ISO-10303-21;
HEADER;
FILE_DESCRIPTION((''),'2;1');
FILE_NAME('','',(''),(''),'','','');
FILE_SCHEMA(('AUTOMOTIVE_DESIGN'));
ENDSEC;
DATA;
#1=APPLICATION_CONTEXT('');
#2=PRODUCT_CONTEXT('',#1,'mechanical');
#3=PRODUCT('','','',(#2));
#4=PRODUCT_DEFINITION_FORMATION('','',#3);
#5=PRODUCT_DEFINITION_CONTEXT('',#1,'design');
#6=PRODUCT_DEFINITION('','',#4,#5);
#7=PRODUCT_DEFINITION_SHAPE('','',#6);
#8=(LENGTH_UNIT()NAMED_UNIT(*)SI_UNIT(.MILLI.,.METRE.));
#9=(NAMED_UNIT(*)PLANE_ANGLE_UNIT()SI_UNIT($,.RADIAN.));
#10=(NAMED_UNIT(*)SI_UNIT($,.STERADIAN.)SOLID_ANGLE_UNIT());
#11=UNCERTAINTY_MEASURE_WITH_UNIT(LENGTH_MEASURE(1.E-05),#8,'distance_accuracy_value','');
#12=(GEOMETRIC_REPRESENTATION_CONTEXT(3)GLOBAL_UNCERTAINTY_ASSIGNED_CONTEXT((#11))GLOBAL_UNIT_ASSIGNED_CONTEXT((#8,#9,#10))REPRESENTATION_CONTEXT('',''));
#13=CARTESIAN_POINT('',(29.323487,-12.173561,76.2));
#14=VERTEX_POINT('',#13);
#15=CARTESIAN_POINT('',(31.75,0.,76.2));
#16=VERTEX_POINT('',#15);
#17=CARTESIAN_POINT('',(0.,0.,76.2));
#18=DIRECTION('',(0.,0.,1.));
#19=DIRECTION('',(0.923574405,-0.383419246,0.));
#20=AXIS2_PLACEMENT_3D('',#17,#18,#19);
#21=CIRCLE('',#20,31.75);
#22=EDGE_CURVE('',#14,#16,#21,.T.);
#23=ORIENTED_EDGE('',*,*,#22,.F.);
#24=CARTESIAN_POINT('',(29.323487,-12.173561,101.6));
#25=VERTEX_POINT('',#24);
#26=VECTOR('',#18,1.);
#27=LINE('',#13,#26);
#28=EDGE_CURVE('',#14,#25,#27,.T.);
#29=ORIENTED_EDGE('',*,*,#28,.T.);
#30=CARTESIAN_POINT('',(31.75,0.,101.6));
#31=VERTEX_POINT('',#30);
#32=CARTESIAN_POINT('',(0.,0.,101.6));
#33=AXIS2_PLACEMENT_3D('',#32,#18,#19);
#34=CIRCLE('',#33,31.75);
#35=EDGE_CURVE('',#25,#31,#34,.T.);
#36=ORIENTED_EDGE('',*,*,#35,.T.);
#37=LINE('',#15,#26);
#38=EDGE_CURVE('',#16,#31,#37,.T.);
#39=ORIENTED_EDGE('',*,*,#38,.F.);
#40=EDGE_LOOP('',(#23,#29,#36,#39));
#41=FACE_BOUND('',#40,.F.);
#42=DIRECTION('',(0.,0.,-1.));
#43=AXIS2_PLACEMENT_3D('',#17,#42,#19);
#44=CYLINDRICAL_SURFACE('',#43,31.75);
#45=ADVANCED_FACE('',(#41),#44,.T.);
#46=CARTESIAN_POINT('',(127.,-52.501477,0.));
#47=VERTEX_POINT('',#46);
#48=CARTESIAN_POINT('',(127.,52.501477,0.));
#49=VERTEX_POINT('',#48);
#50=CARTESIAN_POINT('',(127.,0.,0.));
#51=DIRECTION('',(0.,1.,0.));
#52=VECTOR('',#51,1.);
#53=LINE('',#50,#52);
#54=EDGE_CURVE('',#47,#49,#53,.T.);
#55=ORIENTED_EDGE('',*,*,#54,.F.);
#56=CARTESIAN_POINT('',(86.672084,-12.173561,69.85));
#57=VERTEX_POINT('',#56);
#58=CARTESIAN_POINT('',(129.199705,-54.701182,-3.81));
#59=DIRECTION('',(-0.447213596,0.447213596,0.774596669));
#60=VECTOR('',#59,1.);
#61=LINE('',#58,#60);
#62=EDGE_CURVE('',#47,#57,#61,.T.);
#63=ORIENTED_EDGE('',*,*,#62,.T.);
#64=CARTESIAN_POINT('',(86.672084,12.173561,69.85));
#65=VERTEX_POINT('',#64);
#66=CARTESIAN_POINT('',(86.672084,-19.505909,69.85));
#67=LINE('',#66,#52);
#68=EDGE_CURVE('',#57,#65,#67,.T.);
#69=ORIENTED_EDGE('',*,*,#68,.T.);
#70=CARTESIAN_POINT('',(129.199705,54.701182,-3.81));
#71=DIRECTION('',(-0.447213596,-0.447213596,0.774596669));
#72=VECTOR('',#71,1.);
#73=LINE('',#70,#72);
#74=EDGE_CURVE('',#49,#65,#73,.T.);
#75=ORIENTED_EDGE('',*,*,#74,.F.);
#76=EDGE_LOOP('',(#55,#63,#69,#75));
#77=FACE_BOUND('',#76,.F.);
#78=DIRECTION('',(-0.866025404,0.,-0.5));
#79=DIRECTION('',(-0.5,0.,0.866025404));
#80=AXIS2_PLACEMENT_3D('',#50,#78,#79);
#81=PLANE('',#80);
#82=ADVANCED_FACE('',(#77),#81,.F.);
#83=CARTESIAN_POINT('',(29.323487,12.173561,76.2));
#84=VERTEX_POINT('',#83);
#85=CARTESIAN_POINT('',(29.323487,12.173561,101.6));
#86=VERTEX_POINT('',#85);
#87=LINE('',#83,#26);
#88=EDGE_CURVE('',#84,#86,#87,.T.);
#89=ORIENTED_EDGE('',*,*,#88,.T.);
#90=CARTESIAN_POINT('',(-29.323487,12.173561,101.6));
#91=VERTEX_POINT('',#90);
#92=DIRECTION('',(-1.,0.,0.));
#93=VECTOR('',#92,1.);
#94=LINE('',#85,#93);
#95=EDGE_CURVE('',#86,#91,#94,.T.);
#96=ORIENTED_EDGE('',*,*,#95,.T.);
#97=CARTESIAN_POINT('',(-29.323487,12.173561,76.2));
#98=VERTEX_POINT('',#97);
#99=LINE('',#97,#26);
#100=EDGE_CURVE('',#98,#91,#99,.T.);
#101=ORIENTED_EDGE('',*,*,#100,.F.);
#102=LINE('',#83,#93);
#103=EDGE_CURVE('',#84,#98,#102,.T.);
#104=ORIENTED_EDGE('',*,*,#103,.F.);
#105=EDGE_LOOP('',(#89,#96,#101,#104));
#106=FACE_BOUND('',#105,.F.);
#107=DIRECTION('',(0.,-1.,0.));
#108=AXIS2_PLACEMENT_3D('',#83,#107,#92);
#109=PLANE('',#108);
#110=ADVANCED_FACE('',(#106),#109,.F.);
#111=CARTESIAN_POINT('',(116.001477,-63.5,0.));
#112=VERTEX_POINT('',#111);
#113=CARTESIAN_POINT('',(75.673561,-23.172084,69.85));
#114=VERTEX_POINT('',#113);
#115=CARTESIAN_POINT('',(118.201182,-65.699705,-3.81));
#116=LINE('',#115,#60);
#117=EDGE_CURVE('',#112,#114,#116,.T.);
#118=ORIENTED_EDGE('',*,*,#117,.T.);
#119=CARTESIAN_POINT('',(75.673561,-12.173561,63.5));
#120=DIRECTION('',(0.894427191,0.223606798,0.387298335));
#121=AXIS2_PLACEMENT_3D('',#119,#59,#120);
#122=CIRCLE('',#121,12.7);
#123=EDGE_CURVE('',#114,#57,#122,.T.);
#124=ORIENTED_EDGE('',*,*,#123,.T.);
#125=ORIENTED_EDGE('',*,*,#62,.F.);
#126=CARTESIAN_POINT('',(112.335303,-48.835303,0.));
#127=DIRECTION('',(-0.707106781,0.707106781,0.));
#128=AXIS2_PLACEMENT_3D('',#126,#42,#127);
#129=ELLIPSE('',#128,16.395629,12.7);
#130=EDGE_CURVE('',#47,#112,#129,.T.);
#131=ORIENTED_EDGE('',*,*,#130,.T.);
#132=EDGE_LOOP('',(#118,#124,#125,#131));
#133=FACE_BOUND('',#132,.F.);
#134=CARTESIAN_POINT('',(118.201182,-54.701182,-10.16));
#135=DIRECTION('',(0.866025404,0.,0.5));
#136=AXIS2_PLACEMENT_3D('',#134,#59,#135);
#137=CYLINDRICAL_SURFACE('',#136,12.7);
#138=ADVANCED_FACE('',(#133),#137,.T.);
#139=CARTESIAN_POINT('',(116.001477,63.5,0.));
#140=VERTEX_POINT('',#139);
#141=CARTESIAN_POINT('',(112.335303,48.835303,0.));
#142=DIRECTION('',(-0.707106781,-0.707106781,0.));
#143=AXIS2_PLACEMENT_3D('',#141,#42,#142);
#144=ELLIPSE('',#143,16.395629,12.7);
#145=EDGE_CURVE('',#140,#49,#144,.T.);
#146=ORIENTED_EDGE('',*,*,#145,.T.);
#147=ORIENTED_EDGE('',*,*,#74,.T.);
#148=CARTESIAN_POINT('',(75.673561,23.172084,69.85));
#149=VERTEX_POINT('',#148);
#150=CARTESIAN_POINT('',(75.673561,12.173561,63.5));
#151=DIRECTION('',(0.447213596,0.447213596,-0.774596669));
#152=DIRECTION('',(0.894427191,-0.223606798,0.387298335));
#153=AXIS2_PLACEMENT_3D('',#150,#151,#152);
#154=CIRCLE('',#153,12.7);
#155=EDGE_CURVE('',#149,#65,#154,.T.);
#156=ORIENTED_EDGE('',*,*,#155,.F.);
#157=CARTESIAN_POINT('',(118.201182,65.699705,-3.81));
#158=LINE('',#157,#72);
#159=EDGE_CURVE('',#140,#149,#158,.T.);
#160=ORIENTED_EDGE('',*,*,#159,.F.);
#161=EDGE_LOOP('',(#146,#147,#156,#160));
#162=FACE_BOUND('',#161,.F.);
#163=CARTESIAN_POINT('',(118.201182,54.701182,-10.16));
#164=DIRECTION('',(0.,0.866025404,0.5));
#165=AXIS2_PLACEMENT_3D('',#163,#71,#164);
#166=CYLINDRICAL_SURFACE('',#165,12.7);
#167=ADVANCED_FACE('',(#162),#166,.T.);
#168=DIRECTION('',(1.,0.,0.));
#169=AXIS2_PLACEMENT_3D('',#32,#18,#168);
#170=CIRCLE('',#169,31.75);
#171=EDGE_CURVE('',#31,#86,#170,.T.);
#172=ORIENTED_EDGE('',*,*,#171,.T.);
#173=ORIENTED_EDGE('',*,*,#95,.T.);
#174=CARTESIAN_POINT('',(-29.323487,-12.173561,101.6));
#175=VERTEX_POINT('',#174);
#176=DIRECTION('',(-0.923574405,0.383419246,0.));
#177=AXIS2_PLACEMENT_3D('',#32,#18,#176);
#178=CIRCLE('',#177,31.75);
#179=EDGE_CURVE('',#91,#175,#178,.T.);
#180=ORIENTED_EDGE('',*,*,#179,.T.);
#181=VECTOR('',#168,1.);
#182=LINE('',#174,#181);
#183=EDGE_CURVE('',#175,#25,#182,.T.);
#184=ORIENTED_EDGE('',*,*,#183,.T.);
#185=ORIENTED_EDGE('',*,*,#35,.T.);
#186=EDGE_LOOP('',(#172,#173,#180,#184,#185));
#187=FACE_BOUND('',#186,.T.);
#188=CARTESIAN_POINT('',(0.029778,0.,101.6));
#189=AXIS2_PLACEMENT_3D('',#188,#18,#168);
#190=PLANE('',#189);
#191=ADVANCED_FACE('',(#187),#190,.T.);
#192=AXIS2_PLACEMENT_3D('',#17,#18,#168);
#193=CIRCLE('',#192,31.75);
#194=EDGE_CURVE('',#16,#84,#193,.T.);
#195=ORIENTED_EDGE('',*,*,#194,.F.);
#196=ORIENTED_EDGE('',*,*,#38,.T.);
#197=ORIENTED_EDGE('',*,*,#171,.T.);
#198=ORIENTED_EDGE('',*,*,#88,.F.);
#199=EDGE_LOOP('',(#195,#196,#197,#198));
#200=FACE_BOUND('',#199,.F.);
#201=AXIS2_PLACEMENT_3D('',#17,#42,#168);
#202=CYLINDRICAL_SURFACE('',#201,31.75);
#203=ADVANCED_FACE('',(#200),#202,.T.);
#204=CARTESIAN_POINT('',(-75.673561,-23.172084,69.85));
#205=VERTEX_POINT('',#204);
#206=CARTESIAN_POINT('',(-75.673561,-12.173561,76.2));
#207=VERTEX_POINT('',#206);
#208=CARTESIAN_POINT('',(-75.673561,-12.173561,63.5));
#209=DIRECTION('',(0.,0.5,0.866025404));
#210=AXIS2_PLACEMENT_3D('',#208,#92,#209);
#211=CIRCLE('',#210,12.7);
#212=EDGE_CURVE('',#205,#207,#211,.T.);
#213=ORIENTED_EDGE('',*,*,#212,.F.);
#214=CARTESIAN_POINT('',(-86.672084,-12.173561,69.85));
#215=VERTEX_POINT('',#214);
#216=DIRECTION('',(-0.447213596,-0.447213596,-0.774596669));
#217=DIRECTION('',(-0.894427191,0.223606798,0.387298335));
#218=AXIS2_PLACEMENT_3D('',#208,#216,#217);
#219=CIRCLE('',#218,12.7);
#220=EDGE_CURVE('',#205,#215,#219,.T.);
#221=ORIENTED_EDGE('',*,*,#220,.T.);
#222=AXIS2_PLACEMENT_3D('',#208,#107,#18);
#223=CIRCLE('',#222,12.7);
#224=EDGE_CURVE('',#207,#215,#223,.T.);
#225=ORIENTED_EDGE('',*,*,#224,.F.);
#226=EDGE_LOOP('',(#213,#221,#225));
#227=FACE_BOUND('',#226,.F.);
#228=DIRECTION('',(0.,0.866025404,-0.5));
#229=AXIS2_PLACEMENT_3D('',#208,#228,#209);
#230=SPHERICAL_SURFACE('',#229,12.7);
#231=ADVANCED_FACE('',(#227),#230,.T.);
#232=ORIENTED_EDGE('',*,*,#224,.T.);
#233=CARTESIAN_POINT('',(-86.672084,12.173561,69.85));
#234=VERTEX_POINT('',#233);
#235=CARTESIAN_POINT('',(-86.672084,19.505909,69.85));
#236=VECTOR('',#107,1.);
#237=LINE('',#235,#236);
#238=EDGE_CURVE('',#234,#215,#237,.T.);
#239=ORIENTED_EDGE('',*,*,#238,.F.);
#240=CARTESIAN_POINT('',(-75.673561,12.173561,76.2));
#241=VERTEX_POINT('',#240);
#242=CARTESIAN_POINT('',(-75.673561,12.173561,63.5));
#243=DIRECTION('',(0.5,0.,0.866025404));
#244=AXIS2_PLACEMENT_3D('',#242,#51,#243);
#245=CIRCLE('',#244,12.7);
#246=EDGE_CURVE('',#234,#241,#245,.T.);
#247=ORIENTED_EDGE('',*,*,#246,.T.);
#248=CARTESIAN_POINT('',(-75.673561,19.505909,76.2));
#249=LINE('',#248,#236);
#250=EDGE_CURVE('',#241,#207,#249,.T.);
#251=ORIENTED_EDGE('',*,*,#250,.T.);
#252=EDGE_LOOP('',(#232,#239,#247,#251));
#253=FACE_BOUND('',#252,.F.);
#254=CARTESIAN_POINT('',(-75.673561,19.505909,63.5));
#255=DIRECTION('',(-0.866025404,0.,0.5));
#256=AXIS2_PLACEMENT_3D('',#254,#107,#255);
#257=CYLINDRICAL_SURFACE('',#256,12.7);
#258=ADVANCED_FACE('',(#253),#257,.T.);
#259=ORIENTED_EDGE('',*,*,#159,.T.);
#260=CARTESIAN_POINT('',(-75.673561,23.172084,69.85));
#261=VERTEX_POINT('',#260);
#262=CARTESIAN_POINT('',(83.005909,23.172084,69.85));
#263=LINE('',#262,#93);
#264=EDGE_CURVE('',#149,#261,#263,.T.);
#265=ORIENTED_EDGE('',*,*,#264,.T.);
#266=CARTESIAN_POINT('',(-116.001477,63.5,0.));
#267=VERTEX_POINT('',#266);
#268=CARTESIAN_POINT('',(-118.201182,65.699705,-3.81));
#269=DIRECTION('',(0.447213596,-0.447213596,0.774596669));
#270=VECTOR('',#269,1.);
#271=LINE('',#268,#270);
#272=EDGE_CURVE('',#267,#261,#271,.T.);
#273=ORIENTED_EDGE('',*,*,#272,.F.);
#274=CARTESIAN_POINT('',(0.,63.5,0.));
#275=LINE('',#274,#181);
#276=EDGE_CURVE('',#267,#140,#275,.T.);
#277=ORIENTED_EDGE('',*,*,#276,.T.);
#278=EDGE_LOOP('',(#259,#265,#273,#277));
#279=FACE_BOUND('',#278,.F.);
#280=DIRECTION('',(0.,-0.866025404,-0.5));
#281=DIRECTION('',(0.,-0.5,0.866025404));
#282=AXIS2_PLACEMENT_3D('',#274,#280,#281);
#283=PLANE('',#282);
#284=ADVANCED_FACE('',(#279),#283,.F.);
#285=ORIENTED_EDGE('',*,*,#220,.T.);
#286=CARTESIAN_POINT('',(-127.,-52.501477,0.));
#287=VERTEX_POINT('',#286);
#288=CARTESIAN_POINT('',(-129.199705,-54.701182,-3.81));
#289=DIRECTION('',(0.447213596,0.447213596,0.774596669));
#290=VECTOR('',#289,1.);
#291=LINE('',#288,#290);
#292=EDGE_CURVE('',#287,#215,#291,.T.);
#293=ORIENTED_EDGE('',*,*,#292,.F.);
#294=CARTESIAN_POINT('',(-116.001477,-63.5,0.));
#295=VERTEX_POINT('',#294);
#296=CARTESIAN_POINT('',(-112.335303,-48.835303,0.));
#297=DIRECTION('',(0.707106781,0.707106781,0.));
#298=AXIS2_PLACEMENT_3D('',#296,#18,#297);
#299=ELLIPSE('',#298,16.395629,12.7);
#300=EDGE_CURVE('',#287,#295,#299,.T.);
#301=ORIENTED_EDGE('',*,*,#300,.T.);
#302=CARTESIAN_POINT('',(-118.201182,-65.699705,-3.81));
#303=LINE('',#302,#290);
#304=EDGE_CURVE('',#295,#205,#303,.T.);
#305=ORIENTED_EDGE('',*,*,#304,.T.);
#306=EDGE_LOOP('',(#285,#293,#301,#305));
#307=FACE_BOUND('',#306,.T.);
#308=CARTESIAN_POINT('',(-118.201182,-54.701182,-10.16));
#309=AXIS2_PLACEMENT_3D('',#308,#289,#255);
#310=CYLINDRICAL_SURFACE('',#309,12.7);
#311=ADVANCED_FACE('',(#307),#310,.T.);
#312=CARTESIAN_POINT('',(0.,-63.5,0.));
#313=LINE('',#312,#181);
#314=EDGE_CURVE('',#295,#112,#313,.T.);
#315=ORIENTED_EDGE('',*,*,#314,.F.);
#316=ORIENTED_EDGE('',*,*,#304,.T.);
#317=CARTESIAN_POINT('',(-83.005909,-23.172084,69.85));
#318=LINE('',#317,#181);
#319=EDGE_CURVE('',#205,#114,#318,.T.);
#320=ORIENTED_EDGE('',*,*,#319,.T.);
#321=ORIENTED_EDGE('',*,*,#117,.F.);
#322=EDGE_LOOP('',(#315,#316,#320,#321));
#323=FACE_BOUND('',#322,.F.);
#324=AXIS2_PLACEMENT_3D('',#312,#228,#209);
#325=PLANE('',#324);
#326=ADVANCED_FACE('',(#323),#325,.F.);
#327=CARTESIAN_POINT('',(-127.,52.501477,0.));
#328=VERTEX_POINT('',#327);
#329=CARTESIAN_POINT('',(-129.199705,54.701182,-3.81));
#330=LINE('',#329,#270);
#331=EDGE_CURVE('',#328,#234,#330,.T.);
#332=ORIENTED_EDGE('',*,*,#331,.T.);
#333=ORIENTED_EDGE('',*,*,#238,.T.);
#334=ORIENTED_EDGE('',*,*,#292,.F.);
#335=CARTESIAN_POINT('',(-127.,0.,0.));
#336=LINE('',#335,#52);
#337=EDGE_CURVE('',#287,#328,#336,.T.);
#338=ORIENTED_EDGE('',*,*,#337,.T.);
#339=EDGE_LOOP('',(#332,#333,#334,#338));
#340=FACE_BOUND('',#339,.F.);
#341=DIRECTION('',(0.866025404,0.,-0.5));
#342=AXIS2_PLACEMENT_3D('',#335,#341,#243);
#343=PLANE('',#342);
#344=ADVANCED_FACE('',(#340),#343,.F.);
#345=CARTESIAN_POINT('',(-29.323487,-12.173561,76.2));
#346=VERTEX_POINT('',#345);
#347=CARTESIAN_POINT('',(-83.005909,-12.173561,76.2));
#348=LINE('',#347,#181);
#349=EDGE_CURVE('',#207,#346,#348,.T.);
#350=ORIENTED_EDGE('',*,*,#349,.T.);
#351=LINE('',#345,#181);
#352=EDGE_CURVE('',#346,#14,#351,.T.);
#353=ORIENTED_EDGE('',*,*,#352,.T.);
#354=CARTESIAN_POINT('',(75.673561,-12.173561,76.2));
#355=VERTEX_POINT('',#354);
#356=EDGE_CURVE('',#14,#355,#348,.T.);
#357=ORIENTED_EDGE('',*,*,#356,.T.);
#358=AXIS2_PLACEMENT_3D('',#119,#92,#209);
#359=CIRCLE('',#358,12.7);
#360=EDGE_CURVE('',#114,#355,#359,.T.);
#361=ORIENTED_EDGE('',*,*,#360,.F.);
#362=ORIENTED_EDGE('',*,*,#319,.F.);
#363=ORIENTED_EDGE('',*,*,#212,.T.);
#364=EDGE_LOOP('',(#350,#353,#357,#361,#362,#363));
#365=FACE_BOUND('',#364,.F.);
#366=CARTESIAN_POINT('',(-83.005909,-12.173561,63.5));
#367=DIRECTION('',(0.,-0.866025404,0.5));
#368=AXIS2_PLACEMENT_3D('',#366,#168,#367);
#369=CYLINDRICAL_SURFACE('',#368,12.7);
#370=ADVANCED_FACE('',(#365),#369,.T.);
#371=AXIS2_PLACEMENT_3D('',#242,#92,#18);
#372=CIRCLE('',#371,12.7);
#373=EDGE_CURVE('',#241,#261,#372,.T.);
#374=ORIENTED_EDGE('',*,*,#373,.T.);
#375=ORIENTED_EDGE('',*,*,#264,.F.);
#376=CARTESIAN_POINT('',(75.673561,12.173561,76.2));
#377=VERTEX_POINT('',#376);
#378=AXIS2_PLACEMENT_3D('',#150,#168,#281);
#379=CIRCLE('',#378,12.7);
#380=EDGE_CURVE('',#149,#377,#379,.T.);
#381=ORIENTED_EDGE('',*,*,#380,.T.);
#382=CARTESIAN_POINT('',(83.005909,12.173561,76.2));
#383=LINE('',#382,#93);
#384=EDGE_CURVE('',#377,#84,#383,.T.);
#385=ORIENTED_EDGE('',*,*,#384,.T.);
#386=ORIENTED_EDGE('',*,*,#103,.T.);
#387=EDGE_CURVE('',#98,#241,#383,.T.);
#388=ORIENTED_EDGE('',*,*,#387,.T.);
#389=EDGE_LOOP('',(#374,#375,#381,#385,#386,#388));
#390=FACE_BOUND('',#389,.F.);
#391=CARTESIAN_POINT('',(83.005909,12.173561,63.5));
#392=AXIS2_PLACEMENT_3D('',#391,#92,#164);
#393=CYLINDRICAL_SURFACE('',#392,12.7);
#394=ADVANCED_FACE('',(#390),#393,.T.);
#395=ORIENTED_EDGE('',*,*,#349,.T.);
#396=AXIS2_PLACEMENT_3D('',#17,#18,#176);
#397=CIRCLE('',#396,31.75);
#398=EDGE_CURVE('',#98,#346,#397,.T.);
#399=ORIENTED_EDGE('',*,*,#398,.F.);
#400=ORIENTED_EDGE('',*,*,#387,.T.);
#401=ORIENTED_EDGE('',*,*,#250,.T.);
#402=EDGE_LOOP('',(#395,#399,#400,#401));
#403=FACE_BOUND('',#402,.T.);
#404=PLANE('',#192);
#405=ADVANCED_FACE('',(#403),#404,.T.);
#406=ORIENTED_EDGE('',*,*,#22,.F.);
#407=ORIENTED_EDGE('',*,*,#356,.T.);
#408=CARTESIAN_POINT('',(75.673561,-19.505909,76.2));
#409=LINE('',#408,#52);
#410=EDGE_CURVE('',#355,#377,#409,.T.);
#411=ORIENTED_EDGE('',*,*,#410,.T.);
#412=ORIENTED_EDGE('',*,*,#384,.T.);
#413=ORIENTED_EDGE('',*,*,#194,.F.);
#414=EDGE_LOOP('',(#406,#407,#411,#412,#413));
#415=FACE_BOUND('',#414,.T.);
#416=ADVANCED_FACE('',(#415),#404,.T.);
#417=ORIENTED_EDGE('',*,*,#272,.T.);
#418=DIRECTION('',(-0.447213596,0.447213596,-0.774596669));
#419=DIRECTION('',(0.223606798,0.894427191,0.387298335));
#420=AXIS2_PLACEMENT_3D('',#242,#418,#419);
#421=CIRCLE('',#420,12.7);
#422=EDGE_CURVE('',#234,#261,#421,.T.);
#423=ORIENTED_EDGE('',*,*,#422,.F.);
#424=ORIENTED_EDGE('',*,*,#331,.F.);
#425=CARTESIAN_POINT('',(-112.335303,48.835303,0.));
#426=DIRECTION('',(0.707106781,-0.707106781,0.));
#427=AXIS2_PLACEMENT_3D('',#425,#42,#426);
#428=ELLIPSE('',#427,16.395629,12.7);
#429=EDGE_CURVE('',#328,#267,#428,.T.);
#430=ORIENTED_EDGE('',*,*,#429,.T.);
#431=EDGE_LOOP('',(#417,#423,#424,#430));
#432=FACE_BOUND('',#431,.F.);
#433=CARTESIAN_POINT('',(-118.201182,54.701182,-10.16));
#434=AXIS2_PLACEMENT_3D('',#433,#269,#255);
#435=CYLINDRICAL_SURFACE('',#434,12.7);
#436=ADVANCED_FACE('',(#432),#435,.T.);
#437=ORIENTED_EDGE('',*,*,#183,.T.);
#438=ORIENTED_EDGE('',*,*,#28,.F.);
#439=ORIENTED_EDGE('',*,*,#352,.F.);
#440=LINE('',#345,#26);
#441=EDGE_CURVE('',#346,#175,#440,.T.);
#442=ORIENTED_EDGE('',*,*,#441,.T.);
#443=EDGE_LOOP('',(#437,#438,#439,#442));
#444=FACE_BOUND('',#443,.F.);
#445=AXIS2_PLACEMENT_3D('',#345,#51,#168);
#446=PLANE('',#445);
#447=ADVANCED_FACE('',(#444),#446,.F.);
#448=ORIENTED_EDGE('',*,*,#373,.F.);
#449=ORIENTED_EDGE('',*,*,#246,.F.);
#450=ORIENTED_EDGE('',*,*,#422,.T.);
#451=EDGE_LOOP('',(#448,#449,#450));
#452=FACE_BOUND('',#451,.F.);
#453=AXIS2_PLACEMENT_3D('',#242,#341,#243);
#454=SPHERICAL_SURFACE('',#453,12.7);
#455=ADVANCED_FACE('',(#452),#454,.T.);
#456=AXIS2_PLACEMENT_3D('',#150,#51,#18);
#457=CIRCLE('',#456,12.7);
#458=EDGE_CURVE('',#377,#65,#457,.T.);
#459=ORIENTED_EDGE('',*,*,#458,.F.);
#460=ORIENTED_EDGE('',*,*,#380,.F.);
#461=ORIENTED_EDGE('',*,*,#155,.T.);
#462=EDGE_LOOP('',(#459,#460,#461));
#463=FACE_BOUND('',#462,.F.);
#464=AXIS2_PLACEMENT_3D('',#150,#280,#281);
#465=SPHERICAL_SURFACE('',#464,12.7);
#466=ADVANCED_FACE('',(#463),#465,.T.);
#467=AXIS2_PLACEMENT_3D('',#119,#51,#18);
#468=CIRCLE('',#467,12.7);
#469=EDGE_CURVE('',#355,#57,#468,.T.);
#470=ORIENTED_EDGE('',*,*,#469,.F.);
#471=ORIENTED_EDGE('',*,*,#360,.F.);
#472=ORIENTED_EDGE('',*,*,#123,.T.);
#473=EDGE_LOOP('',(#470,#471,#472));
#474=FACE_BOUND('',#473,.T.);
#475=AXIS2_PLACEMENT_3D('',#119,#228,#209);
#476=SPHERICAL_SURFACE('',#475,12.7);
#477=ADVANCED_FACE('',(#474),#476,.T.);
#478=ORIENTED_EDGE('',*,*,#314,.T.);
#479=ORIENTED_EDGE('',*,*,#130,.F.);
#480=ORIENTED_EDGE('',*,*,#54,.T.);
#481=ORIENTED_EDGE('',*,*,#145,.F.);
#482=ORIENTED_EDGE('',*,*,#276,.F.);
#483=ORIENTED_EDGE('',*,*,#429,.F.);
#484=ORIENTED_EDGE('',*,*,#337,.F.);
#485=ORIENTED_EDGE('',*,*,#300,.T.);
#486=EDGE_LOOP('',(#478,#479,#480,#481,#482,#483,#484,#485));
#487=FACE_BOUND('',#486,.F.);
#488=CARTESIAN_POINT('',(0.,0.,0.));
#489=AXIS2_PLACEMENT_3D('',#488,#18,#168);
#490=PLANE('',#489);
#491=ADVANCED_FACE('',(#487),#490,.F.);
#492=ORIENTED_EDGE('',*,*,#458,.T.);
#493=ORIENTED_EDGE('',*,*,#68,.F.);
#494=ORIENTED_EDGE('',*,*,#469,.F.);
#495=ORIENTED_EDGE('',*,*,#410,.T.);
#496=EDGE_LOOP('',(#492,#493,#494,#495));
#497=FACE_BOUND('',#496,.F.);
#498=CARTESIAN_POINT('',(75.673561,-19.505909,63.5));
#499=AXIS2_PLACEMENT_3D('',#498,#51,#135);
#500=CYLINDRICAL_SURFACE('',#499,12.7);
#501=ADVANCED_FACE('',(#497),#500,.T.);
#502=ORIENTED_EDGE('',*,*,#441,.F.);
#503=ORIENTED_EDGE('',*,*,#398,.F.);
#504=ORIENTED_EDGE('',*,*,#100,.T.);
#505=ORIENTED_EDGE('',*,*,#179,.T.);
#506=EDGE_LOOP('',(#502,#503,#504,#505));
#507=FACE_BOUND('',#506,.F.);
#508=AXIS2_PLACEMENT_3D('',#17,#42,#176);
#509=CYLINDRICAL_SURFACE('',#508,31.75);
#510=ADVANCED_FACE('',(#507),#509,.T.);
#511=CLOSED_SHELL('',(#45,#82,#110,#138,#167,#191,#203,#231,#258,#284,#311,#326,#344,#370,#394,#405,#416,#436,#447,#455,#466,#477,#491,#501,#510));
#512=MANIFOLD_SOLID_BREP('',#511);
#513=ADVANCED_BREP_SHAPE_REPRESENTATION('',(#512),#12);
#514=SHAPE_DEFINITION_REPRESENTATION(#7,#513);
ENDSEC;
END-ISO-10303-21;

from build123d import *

# Parameters (mm, degrees)
F0_W     = 254
F0_H     = 127
F1_DEPTH = 76.2
F1_TAPER = 30
F2_R     = 12.7
F4_DEPTH = 25.4


with BuildPart() as f1:
    # F0 (on Top) → F1 (new body)
    with BuildSketch(Plane.XY):
        Rectangle(F0_W, F0_H)
    extrude(amount=F1_DEPTH, taper=F1_TAPER)

    # F2
    f2_edges = [f1.edges().sort_by_distance(p)[0] for p in [
        (83.005909, 0, 76.2),
        (0, 19.505909, 76.2),
        (-83.005909, 0, 76.2),
        (0, -19.505909, 76.2),
        (105.002955, 41.502955, 38.1),
        (105.002955, -41.502955, 38.1),
        (-105.002955, -41.502955, 38.1),
        (-105.002955, 41.502955, 38.1),
    ]]
    fillet(f2_edges, radius=F2_R)

    # F3 (on face) → F4 (join)
    with BuildSketch(Plane.XY.offset(76.2)):
        with BuildLine():
            ThreePointArc((29.3234873591, -12.173561069), (31.1374631565, -6.2065198118), (31.75, 0))
            ThreePointArc((31.75, 0), (31.1374631565, 6.2065198118), (29.3234873591, 12.173561069))
            Line((29.3234873591, 12.173561069), (-29.3234873591, 12.173561069))
            ThreePointArc((-29.3234873591, 12.173561069), (-31.75, 0), (-29.3234873591, -12.173561069))
            Line((-29.3234873591, -12.173561069), (29.3234873591, -12.173561069))
        make_face()
    extrude(amount=F4_DEPTH)


solid = f1.part
